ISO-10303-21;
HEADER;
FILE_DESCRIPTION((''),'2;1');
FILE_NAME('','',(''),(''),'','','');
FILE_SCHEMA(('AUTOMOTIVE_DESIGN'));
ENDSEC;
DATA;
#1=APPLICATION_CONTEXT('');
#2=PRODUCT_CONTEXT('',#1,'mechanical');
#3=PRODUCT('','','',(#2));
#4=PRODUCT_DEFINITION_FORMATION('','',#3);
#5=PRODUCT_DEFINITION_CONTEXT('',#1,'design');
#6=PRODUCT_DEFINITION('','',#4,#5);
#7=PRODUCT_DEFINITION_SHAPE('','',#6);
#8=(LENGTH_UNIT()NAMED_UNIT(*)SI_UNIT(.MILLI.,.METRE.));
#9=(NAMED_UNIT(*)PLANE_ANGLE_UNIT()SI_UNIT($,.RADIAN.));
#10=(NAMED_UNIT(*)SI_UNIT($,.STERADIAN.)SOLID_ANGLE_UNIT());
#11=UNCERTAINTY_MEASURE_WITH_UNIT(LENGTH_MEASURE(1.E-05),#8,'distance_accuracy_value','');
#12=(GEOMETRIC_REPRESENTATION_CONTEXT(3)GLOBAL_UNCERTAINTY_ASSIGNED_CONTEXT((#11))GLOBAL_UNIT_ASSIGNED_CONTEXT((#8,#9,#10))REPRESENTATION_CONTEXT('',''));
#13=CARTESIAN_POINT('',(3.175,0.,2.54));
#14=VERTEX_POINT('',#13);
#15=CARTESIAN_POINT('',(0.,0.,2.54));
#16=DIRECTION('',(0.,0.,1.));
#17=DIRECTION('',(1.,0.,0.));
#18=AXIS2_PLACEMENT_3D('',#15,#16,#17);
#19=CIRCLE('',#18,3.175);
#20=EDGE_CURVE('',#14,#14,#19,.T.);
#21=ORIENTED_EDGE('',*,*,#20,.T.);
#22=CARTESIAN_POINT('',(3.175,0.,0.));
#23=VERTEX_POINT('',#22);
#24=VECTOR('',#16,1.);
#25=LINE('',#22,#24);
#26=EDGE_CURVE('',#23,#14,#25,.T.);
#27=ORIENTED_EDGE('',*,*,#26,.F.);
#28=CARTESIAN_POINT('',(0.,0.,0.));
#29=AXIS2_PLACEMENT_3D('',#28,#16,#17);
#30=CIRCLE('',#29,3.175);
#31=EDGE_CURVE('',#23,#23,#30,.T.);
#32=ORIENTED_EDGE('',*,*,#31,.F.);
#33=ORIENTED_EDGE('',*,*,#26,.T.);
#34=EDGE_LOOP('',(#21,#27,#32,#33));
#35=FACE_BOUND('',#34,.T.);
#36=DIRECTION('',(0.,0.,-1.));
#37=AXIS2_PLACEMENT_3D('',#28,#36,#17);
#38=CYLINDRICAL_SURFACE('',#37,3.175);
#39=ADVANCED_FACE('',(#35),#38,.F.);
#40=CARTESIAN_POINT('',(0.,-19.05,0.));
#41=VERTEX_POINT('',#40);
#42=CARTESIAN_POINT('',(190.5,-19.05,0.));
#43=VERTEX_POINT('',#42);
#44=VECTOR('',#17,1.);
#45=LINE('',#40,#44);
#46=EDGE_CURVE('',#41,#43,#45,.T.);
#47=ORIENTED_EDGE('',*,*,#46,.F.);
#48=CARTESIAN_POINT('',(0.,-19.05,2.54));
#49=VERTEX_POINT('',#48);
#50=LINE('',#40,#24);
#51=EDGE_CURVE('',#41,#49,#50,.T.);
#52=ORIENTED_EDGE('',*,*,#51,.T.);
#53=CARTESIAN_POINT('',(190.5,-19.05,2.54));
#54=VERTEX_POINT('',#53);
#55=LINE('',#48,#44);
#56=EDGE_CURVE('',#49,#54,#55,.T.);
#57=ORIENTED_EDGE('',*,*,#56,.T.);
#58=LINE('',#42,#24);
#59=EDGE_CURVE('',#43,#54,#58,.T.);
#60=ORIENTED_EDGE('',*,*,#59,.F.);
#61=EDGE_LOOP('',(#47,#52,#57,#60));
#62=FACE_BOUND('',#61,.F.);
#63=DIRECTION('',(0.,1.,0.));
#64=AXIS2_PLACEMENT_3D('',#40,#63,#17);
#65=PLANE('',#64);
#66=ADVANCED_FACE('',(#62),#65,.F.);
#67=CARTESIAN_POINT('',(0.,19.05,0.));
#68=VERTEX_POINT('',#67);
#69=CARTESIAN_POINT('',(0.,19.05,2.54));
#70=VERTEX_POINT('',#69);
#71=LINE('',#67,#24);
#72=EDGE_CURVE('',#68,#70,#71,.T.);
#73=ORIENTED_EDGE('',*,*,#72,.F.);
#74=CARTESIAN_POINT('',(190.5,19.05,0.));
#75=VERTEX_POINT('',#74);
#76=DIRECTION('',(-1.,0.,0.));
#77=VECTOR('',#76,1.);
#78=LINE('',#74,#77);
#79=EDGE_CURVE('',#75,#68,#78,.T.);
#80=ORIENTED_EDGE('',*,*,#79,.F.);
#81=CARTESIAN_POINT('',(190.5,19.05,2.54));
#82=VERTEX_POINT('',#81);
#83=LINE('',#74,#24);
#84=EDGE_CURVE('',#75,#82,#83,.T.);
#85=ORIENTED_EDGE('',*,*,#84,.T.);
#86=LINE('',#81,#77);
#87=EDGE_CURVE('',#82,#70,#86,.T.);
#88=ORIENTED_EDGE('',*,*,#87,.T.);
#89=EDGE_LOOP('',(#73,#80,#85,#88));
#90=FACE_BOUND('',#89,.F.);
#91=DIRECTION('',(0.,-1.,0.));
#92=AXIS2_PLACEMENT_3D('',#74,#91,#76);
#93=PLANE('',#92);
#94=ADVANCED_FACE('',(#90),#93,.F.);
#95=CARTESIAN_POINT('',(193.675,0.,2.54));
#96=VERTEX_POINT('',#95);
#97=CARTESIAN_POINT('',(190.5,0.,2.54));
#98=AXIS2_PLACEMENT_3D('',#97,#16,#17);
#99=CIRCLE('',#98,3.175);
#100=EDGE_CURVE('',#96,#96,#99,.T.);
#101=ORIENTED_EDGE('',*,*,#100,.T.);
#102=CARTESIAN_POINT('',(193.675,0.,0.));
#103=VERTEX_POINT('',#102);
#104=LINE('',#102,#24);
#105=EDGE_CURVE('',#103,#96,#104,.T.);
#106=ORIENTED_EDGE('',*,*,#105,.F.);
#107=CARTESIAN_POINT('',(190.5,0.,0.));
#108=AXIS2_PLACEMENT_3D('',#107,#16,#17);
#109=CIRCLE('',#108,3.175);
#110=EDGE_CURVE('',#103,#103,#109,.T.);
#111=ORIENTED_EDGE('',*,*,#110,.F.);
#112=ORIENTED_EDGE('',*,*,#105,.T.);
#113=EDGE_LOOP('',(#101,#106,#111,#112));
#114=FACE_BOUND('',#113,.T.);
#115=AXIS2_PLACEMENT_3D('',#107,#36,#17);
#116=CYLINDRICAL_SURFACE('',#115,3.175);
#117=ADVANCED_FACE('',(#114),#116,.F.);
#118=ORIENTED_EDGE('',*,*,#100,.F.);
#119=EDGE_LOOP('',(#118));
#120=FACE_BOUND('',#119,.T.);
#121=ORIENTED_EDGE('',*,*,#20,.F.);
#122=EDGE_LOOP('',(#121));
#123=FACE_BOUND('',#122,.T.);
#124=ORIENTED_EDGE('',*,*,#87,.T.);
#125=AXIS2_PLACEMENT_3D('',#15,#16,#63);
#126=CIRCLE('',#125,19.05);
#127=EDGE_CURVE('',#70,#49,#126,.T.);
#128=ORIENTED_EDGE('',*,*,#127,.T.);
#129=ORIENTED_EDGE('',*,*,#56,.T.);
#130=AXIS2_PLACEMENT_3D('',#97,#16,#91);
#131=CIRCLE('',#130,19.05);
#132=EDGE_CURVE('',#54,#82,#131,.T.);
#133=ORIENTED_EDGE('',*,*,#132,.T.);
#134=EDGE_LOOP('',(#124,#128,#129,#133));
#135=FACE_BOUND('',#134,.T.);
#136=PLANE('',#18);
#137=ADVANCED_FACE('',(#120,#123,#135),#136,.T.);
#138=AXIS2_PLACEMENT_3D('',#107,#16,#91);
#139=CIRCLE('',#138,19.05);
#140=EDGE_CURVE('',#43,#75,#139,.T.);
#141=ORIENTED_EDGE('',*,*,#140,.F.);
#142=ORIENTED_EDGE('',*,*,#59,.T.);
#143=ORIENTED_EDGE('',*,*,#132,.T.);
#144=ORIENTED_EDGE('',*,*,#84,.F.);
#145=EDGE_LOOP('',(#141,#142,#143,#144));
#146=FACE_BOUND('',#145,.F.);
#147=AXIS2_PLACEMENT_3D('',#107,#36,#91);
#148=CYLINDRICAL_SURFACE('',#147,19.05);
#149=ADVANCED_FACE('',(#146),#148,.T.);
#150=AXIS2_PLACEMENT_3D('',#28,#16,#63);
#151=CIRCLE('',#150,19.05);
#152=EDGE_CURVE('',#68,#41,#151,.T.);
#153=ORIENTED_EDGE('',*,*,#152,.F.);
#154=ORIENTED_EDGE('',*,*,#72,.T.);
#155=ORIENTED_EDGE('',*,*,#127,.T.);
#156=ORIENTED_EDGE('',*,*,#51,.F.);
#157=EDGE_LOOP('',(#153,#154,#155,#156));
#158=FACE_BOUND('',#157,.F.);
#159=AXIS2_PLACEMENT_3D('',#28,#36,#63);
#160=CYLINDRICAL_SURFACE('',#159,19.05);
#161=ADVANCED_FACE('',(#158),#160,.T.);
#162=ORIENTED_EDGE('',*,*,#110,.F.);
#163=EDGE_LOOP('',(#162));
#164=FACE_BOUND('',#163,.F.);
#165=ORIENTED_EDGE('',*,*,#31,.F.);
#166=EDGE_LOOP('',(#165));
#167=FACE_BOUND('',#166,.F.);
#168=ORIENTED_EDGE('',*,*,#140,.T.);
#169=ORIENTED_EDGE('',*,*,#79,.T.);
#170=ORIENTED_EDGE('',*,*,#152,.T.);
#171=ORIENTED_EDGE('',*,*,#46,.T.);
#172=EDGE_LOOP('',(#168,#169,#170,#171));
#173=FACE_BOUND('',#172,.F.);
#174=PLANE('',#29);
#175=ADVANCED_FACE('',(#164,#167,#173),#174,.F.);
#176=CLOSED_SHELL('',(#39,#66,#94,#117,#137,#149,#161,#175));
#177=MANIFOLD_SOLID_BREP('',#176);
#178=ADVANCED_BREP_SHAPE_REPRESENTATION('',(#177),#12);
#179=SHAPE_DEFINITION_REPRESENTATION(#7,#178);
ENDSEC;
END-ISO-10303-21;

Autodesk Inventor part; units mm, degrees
ref_plane "YZ Plane" through (0, 0, 0) normal (1, 0, 0) x (0, 1, 0)
ref_plane "XZ Plane" through (0, 0, 0) normal (0, 1, 0) x (-1, 0, 0)
ref_plane "XY Plane" through (0, 0, 0) normal (0, 0, 1) x (1, 0, 0)
sketch "Sketch1" plane through (0, 0, 0) normal (0, 0, 1) x (1, 0, 0)
  line L0 (0, 0) -> (190.5, 0) construction
  line L1 (0, -19.05) -> (190.5, -19.05)
  line L2 (190.5, 19.05) -> (0, 19.05)
  arc A0 (0, 19.05) -> (0, -19.05) centre (0, 0) ccw
  arc A1 (190.5, -19.05) -> (190.5, 19.05) centre (190.5, 0) ccw
  circle A2 centre (0, 0) radius 3.175
  circle A3 centre (190.5, 0) radius 3.175
  point P0 (95.25, 0)
  dimension "d0" = 190.5
  dimension "d1" = 38.1
  dimension "d2" = 6.35
extrude "Extrusion1" add sketch "Sketch1" along normal blind 2.54
properties part number "link"
